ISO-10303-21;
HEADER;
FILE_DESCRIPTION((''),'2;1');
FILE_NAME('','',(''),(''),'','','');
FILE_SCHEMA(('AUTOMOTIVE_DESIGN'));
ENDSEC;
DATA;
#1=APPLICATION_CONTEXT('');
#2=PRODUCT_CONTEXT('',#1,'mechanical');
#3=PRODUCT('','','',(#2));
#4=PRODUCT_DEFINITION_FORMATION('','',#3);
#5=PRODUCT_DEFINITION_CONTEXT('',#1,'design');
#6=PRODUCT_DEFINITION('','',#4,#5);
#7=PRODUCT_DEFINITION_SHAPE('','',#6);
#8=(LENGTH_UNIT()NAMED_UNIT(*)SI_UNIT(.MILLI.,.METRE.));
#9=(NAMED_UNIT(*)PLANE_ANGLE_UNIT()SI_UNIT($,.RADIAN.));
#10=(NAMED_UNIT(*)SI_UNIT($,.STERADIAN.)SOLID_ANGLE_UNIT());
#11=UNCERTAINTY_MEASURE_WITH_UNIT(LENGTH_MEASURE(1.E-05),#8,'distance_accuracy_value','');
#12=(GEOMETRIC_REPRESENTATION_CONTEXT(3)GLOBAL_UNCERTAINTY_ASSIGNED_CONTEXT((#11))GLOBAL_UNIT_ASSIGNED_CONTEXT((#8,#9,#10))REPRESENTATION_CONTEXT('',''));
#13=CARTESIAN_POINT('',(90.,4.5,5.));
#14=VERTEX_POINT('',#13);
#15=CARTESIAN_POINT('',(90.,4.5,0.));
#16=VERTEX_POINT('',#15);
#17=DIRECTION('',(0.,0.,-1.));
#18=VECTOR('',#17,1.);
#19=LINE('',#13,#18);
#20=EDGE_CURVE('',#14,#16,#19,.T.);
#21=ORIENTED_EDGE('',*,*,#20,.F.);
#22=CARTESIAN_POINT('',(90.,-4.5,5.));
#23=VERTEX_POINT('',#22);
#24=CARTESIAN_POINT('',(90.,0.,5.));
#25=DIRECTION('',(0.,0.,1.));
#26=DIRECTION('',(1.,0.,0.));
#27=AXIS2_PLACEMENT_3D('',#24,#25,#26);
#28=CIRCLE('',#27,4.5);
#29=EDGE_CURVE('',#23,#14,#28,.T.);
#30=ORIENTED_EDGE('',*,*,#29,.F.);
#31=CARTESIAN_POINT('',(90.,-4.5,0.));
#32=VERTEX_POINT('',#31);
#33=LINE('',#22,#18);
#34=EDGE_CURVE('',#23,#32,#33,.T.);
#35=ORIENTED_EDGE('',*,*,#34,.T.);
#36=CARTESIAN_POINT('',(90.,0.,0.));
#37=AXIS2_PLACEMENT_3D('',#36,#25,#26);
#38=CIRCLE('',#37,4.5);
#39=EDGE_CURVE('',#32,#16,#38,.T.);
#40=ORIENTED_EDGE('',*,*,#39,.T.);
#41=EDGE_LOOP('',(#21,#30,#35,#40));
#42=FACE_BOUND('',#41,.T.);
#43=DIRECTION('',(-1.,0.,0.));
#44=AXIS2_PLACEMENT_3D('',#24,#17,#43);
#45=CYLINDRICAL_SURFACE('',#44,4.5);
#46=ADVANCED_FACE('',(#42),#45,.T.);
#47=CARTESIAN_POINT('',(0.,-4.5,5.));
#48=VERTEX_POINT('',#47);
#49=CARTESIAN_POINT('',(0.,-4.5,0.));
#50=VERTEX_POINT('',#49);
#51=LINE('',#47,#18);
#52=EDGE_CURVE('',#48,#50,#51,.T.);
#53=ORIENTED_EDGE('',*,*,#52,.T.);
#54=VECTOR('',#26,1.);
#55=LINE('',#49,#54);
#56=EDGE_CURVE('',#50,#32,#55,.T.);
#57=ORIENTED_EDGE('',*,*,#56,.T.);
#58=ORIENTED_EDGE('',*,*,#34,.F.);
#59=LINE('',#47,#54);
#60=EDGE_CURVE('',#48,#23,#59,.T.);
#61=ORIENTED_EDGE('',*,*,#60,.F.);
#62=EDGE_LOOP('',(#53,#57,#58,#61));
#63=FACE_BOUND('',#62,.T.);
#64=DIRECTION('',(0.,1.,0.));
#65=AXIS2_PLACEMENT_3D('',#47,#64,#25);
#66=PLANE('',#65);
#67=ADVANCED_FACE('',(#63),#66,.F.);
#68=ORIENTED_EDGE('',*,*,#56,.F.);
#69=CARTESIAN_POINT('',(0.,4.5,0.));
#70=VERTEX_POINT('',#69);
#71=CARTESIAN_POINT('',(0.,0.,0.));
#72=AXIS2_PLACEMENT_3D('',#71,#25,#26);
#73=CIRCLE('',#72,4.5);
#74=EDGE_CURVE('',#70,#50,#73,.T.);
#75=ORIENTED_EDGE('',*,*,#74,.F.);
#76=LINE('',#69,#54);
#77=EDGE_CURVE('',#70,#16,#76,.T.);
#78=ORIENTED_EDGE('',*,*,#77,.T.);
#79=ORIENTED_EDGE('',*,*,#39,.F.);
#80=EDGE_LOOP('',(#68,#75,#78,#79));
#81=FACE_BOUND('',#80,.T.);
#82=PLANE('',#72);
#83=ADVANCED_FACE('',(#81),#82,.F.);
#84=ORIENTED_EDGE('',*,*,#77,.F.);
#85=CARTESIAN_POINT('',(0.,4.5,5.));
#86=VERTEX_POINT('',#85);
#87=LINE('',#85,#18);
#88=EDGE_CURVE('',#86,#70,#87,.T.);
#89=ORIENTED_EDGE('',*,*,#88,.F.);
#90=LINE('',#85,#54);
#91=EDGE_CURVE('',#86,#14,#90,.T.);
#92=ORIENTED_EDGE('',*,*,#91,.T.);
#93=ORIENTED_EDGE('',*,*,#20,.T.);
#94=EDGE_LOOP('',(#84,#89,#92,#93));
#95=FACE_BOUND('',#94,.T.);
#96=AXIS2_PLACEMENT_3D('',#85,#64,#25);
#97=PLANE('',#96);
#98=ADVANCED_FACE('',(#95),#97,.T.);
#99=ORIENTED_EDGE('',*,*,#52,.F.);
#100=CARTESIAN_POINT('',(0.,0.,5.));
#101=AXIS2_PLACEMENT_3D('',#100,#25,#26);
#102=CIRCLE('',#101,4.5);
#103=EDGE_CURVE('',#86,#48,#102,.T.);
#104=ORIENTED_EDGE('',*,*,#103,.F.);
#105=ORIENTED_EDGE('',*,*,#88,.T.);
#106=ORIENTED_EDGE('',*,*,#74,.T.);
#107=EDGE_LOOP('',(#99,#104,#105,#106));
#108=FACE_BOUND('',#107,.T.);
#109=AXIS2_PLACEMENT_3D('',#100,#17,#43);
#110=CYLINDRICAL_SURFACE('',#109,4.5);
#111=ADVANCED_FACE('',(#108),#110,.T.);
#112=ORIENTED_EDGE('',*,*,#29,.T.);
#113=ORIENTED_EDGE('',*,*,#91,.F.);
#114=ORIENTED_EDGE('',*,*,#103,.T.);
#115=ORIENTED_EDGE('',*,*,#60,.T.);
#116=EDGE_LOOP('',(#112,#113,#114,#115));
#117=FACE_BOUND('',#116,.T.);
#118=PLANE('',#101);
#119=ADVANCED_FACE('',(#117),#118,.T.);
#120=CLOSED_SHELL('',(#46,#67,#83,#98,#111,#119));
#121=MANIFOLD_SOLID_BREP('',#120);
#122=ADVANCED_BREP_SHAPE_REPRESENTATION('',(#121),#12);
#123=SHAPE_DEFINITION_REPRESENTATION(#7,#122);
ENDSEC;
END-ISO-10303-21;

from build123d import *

# Parameters (mm, degrees)
SKETCH1_R           = 4.5
BOSS_EXTRUDE1_DEPTH = 5


with BuildPart() as part:
    # Sketch1 → Boss-Extrude1 (new body)
    with BuildSketch(Plane.XY):
        with BuildLine():
            Line((90, 4.5), (0, 4.5))
            ThreePointArc((0, 4.5), (3.181980515, 3.181980515), (4.5, 0))
            ThreePointArc((4.5, 0), (3.181980515, -3.181980515), (0, -4.5))
            Line((0, -4.5), (90, -4.5))
            ThreePointArc((90, -4.5), (85.5, 0), (90, 4.5))
        make_face()
        with Locations((90, 0)):
            Circle(SKETCH1_R)
        Circle(SKETCH1_R)
    extrude(amount=BOSS_EXTRUDE1_DEPTH)


solid = part.part
